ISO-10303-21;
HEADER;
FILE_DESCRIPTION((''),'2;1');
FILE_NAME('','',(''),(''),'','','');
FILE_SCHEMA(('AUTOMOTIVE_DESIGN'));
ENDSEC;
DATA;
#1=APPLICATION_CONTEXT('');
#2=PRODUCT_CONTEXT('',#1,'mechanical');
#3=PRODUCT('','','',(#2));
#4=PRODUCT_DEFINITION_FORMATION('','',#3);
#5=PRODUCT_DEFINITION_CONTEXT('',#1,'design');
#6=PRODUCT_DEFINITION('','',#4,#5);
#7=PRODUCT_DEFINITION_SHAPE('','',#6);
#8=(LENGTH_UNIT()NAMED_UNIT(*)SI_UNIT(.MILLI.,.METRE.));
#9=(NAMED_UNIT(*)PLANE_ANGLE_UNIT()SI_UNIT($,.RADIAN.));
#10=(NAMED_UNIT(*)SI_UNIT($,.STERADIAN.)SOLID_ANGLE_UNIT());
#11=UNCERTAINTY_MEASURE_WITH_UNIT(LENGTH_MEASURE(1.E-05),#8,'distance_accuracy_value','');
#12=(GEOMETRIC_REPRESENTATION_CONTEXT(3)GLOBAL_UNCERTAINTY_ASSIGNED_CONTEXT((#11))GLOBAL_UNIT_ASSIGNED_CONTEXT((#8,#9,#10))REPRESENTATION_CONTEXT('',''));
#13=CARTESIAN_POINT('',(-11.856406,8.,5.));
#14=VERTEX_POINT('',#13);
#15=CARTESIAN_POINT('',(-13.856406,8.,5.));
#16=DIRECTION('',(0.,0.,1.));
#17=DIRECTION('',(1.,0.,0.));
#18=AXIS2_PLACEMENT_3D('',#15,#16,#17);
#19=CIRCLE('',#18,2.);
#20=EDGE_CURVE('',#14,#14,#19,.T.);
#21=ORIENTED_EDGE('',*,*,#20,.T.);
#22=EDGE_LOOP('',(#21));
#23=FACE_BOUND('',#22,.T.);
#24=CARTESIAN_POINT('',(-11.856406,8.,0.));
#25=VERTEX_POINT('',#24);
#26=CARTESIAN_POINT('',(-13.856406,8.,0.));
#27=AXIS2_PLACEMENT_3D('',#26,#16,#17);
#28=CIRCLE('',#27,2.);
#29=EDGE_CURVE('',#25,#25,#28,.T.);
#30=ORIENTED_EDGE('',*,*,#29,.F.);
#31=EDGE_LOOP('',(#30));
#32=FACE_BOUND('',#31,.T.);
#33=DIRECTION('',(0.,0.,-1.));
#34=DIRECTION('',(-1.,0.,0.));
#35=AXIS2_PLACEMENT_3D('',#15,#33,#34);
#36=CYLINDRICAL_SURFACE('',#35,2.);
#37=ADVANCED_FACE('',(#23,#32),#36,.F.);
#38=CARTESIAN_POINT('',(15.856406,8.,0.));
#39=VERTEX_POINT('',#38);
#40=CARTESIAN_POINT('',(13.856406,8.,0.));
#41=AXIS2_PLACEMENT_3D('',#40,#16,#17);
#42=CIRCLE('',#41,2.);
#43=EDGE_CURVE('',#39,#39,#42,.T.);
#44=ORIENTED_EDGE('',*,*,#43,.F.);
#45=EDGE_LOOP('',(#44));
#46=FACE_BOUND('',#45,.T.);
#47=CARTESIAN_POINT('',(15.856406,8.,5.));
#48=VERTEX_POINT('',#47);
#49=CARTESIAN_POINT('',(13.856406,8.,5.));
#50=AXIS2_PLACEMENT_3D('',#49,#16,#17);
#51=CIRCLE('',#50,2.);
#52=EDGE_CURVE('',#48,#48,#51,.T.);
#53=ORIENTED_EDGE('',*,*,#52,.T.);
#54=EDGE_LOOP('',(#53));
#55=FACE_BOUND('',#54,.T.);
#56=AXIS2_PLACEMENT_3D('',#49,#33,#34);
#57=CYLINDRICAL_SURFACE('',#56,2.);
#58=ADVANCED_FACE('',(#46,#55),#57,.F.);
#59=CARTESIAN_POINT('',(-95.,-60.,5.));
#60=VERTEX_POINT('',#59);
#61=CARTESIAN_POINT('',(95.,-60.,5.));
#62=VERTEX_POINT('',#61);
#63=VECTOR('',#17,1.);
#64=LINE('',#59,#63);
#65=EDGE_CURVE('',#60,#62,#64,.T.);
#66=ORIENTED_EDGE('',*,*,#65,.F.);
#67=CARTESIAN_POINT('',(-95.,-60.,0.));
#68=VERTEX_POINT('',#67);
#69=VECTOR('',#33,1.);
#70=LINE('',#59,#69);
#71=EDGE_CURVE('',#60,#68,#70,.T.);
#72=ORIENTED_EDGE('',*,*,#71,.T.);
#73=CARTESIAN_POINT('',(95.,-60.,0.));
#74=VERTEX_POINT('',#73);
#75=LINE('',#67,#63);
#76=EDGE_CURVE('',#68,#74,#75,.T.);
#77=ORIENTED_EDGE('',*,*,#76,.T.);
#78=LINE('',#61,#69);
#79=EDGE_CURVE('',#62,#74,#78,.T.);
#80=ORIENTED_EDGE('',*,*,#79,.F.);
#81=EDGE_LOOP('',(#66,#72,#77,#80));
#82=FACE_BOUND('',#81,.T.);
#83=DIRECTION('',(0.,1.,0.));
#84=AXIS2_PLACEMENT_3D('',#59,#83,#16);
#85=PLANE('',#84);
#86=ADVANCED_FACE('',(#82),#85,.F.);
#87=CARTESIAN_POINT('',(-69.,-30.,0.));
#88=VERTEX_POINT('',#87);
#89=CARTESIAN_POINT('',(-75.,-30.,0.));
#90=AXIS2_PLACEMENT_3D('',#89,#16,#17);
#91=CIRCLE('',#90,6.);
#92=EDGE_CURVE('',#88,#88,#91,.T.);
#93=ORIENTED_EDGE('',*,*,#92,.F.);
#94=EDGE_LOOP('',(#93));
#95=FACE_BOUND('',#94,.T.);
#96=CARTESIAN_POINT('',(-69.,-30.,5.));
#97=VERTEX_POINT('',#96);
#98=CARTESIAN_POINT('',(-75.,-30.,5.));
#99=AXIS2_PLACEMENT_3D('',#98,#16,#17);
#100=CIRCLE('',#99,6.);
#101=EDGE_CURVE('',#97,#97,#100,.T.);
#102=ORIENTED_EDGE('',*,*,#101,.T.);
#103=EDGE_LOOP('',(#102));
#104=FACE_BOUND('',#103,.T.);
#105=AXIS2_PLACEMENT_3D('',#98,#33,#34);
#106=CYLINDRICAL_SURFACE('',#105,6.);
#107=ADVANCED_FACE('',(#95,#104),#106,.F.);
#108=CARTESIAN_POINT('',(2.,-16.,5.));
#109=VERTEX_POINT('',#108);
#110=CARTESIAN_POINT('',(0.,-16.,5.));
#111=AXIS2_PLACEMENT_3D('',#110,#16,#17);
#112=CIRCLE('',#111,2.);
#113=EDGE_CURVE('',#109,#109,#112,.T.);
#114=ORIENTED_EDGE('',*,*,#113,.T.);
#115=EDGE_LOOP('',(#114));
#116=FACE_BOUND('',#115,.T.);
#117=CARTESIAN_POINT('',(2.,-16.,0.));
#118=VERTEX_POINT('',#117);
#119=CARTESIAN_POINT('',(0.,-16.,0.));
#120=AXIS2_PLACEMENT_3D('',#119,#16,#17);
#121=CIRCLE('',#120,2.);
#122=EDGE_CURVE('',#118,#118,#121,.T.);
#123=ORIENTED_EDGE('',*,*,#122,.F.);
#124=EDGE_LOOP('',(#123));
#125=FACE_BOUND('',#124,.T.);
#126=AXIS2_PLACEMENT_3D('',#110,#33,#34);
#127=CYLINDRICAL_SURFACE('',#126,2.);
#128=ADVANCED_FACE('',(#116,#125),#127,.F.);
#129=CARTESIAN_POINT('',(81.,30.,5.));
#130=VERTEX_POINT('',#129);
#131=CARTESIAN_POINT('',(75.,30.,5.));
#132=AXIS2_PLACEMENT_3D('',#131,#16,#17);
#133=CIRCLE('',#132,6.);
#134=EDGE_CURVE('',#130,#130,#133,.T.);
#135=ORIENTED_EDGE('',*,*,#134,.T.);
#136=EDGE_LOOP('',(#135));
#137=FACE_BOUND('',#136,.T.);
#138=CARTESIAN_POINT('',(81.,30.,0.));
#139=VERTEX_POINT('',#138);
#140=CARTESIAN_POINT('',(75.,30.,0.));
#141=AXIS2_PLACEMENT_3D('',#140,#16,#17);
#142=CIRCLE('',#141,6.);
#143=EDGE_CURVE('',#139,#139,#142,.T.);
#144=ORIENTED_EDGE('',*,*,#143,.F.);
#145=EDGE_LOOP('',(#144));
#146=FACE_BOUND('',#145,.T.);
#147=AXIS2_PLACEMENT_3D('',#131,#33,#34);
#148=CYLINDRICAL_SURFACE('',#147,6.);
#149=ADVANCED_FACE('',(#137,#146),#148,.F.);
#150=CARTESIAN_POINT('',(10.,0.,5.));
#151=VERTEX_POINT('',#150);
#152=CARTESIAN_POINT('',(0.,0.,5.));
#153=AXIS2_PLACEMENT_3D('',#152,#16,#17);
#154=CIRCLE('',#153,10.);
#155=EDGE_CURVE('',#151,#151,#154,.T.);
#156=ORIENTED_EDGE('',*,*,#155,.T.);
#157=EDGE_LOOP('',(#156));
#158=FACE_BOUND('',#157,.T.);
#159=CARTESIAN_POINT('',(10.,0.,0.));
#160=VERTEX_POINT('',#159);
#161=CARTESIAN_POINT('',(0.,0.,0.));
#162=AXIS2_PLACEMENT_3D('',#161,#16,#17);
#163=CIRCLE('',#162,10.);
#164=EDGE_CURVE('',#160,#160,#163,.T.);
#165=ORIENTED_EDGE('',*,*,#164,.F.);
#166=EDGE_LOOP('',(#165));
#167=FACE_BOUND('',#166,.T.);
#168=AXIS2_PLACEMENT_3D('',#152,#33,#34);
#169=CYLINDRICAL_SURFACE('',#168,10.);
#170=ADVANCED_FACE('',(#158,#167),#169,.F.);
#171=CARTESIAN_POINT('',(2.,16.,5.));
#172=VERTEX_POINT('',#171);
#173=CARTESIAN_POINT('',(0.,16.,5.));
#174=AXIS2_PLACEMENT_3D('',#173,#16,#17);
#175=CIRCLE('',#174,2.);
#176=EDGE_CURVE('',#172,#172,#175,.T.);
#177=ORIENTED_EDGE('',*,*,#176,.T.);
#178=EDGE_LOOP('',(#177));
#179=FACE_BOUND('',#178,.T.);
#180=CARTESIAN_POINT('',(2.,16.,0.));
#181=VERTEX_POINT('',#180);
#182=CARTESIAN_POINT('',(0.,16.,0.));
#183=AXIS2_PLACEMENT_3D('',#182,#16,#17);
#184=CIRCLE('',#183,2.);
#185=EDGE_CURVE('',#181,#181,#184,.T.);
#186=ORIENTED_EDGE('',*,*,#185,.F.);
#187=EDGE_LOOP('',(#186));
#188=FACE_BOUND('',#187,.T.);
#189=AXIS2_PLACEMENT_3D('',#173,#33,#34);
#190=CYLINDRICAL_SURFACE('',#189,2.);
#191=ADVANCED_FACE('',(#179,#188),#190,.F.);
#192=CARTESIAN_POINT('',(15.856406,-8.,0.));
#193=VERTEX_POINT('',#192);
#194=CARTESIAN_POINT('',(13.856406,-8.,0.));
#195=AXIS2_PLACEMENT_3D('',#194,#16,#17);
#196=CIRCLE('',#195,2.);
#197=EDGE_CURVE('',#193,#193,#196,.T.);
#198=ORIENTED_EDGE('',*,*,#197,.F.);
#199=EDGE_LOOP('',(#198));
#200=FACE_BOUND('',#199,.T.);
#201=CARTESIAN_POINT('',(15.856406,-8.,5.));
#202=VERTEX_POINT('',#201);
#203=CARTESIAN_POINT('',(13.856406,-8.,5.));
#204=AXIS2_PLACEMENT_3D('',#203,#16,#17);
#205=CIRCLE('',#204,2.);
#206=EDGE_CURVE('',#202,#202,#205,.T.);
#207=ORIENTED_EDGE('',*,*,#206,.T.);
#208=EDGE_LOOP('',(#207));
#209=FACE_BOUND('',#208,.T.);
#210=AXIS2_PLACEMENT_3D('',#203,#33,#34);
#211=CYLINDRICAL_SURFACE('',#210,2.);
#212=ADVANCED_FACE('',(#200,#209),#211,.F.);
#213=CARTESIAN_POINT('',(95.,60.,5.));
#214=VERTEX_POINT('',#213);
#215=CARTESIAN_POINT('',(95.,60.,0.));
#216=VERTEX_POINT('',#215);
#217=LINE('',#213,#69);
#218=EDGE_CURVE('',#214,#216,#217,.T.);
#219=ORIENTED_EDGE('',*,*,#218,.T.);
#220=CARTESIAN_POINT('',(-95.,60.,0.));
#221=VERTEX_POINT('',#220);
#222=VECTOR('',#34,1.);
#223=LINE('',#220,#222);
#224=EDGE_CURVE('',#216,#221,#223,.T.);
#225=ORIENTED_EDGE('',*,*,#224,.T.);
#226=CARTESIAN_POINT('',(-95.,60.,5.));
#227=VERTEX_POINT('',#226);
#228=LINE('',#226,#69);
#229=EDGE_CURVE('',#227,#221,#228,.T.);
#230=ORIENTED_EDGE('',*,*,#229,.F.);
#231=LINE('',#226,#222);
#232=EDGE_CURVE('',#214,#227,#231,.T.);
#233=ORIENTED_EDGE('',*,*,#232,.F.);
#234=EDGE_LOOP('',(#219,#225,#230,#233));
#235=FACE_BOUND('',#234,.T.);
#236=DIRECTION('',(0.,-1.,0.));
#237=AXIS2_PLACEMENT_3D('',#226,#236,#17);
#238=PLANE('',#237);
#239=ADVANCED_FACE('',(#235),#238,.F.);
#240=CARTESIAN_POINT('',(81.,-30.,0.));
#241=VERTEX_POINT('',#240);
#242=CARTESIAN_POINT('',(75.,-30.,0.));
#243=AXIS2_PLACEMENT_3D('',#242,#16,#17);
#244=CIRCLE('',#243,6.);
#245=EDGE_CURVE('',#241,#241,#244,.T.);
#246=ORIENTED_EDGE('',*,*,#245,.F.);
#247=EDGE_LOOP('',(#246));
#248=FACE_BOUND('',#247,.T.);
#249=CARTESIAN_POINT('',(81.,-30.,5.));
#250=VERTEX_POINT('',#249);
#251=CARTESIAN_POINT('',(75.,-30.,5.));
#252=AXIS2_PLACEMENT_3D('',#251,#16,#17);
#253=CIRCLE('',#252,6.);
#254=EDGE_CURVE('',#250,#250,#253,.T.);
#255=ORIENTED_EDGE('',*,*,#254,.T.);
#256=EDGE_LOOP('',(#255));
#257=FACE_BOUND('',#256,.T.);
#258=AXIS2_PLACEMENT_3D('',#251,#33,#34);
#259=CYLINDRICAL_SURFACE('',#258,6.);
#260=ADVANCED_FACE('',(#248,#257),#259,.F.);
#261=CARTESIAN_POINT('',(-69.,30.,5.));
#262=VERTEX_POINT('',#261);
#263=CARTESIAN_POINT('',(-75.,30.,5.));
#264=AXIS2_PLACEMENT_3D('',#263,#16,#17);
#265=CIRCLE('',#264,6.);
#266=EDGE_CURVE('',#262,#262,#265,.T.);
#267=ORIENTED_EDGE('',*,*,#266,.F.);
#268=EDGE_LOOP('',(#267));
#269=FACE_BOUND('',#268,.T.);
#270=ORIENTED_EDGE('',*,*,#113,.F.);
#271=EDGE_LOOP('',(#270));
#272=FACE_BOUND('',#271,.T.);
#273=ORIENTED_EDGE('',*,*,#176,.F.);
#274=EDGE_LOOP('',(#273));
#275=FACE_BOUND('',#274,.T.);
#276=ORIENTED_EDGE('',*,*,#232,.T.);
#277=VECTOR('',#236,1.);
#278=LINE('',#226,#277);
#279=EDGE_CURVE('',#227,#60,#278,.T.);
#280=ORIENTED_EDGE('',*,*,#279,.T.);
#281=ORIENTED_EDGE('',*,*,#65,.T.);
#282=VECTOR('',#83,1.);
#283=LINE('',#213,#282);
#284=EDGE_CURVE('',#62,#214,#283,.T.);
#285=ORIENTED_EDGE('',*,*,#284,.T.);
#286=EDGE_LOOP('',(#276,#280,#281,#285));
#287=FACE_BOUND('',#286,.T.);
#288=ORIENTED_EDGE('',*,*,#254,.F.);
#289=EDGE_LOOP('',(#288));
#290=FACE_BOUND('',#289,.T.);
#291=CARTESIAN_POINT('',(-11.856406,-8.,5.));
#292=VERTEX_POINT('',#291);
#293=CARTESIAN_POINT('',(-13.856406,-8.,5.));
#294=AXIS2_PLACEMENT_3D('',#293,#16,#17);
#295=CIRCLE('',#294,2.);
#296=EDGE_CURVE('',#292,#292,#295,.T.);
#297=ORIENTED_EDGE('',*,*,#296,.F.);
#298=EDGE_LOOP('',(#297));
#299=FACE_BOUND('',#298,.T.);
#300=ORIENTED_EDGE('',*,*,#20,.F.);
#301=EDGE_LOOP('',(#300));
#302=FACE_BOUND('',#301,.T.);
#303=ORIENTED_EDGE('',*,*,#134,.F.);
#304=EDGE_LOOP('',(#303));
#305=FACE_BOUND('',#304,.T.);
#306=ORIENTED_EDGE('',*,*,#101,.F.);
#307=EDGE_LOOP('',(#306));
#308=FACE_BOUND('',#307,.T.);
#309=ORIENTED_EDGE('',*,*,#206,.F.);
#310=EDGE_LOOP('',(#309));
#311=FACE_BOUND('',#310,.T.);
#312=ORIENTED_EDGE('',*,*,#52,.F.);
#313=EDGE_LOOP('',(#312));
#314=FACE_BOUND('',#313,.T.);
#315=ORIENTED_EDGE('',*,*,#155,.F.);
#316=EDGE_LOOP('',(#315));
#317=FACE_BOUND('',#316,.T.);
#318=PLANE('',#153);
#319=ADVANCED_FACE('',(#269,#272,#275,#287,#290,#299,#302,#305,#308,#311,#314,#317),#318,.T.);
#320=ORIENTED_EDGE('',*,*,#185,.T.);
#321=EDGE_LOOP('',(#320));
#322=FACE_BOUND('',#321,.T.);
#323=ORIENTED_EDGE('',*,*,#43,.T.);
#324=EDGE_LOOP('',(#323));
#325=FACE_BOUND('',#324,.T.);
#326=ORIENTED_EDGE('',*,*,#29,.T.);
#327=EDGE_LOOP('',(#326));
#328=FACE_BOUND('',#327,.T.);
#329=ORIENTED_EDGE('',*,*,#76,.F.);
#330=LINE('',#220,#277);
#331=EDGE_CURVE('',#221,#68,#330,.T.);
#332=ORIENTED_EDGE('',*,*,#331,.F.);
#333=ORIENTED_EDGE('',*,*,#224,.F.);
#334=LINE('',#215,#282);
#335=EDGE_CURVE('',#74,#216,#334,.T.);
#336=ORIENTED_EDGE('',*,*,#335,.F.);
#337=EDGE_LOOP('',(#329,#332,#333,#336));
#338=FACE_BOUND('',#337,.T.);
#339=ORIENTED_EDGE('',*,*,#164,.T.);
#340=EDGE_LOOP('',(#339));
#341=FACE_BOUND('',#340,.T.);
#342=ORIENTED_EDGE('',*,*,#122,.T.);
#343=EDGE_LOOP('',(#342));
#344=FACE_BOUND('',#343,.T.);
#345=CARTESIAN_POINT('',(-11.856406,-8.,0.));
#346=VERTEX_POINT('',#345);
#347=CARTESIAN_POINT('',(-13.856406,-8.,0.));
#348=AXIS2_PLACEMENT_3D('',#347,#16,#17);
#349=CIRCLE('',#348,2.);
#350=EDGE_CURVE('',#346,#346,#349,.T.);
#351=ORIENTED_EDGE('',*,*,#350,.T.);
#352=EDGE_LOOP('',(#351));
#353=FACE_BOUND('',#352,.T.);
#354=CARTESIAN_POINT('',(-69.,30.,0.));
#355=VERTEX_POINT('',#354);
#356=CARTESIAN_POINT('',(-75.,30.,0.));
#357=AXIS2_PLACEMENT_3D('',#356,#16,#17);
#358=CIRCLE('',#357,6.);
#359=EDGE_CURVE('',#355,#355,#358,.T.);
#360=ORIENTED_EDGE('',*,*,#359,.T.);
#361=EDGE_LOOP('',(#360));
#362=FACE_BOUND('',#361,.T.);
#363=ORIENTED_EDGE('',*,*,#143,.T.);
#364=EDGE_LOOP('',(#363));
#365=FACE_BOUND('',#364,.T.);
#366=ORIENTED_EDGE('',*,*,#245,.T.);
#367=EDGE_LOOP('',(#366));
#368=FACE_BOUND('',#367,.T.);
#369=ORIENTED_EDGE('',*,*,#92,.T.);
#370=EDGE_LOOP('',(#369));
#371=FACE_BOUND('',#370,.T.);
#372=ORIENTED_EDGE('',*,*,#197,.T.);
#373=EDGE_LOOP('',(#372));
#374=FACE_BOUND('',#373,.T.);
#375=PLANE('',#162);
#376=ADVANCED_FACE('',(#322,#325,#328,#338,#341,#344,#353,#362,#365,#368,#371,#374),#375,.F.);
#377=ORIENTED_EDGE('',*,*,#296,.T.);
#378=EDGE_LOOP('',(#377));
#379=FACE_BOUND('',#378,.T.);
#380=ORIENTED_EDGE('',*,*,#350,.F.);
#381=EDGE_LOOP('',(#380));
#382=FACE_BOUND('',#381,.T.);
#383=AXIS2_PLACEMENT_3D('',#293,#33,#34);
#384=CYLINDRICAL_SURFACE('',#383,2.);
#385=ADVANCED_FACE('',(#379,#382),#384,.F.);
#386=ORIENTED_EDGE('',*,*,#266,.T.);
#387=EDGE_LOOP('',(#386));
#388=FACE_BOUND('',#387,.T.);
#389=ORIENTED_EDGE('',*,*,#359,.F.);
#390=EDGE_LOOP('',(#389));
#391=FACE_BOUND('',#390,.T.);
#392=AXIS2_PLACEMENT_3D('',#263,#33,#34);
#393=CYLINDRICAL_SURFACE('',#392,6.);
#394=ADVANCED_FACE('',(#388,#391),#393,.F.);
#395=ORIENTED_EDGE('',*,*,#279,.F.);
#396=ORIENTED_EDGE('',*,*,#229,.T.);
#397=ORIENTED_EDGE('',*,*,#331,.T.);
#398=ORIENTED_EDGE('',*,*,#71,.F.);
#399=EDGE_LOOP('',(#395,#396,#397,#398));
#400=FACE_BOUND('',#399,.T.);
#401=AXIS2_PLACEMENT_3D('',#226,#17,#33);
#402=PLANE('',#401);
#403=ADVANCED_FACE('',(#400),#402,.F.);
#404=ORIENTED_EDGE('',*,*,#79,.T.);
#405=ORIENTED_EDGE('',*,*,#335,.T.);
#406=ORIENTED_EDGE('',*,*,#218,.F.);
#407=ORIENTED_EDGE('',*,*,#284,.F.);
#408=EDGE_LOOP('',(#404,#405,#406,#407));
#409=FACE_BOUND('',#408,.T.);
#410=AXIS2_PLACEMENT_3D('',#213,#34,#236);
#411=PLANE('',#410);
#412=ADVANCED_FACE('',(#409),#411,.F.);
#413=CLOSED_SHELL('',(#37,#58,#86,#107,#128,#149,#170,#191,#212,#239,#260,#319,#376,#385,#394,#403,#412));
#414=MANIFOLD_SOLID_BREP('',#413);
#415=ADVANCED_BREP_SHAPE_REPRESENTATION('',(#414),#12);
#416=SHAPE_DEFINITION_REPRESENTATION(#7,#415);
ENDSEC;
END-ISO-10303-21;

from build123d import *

# Parameters (mm, degrees)
SKETCH1_W           = 190
SKETCH1_H           = 120
SKETCH1_R           = 6
SKETCH1_R_2         = 10
SKETCH1_R_3         = 2
BOSS_EXTRUDE1_DEPTH = 5


with BuildPart() as part:
    # Sketch1 → Boss-Extrude1 (new body)
    with BuildSketch(Plane.XY):
        Rectangle(SKETCH1_W, SKETCH1_H)
        with Locations((-75, 30)):
            Circle(SKETCH1_R, mode=Mode.SUBTRACT)
        with Locations((75, 30)):
            Circle(SKETCH1_R, mode=Mode.SUBTRACT)
        with Locations((75, -30)):
            Circle(SKETCH1_R, mode=Mode.SUBTRACT)
        with Locations((-75, -30)):
            Circle(SKETCH1_R, mode=Mode.SUBTRACT)
        Circle(SKETCH1_R_2, mode=Mode.SUBTRACT)
        with Locations((0, 16)):
            Circle(SKETCH1_R_3, mode=Mode.SUBTRACT)
        with Locations((13.856406461, 8)):
            Circle(SKETCH1_R_3, mode=Mode.SUBTRACT)
        with Locations((13.856406461, -8)):
            Circle(SKETCH1_R_3, mode=Mode.SUBTRACT)
        with Locations((0, -16)):
            Circle(SKETCH1_R_3, mode=Mode.SUBTRACT)
        with Locations((-13.856406461, -8)):
            Circle(SKETCH1_R_3, mode=Mode.SUBTRACT)
        with Locations((-13.856406461, 8)):
            Circle(SKETCH1_R_3, mode=Mode.SUBTRACT)
    extrude(amount=BOSS_EXTRUDE1_DEPTH)


solid = part.part
